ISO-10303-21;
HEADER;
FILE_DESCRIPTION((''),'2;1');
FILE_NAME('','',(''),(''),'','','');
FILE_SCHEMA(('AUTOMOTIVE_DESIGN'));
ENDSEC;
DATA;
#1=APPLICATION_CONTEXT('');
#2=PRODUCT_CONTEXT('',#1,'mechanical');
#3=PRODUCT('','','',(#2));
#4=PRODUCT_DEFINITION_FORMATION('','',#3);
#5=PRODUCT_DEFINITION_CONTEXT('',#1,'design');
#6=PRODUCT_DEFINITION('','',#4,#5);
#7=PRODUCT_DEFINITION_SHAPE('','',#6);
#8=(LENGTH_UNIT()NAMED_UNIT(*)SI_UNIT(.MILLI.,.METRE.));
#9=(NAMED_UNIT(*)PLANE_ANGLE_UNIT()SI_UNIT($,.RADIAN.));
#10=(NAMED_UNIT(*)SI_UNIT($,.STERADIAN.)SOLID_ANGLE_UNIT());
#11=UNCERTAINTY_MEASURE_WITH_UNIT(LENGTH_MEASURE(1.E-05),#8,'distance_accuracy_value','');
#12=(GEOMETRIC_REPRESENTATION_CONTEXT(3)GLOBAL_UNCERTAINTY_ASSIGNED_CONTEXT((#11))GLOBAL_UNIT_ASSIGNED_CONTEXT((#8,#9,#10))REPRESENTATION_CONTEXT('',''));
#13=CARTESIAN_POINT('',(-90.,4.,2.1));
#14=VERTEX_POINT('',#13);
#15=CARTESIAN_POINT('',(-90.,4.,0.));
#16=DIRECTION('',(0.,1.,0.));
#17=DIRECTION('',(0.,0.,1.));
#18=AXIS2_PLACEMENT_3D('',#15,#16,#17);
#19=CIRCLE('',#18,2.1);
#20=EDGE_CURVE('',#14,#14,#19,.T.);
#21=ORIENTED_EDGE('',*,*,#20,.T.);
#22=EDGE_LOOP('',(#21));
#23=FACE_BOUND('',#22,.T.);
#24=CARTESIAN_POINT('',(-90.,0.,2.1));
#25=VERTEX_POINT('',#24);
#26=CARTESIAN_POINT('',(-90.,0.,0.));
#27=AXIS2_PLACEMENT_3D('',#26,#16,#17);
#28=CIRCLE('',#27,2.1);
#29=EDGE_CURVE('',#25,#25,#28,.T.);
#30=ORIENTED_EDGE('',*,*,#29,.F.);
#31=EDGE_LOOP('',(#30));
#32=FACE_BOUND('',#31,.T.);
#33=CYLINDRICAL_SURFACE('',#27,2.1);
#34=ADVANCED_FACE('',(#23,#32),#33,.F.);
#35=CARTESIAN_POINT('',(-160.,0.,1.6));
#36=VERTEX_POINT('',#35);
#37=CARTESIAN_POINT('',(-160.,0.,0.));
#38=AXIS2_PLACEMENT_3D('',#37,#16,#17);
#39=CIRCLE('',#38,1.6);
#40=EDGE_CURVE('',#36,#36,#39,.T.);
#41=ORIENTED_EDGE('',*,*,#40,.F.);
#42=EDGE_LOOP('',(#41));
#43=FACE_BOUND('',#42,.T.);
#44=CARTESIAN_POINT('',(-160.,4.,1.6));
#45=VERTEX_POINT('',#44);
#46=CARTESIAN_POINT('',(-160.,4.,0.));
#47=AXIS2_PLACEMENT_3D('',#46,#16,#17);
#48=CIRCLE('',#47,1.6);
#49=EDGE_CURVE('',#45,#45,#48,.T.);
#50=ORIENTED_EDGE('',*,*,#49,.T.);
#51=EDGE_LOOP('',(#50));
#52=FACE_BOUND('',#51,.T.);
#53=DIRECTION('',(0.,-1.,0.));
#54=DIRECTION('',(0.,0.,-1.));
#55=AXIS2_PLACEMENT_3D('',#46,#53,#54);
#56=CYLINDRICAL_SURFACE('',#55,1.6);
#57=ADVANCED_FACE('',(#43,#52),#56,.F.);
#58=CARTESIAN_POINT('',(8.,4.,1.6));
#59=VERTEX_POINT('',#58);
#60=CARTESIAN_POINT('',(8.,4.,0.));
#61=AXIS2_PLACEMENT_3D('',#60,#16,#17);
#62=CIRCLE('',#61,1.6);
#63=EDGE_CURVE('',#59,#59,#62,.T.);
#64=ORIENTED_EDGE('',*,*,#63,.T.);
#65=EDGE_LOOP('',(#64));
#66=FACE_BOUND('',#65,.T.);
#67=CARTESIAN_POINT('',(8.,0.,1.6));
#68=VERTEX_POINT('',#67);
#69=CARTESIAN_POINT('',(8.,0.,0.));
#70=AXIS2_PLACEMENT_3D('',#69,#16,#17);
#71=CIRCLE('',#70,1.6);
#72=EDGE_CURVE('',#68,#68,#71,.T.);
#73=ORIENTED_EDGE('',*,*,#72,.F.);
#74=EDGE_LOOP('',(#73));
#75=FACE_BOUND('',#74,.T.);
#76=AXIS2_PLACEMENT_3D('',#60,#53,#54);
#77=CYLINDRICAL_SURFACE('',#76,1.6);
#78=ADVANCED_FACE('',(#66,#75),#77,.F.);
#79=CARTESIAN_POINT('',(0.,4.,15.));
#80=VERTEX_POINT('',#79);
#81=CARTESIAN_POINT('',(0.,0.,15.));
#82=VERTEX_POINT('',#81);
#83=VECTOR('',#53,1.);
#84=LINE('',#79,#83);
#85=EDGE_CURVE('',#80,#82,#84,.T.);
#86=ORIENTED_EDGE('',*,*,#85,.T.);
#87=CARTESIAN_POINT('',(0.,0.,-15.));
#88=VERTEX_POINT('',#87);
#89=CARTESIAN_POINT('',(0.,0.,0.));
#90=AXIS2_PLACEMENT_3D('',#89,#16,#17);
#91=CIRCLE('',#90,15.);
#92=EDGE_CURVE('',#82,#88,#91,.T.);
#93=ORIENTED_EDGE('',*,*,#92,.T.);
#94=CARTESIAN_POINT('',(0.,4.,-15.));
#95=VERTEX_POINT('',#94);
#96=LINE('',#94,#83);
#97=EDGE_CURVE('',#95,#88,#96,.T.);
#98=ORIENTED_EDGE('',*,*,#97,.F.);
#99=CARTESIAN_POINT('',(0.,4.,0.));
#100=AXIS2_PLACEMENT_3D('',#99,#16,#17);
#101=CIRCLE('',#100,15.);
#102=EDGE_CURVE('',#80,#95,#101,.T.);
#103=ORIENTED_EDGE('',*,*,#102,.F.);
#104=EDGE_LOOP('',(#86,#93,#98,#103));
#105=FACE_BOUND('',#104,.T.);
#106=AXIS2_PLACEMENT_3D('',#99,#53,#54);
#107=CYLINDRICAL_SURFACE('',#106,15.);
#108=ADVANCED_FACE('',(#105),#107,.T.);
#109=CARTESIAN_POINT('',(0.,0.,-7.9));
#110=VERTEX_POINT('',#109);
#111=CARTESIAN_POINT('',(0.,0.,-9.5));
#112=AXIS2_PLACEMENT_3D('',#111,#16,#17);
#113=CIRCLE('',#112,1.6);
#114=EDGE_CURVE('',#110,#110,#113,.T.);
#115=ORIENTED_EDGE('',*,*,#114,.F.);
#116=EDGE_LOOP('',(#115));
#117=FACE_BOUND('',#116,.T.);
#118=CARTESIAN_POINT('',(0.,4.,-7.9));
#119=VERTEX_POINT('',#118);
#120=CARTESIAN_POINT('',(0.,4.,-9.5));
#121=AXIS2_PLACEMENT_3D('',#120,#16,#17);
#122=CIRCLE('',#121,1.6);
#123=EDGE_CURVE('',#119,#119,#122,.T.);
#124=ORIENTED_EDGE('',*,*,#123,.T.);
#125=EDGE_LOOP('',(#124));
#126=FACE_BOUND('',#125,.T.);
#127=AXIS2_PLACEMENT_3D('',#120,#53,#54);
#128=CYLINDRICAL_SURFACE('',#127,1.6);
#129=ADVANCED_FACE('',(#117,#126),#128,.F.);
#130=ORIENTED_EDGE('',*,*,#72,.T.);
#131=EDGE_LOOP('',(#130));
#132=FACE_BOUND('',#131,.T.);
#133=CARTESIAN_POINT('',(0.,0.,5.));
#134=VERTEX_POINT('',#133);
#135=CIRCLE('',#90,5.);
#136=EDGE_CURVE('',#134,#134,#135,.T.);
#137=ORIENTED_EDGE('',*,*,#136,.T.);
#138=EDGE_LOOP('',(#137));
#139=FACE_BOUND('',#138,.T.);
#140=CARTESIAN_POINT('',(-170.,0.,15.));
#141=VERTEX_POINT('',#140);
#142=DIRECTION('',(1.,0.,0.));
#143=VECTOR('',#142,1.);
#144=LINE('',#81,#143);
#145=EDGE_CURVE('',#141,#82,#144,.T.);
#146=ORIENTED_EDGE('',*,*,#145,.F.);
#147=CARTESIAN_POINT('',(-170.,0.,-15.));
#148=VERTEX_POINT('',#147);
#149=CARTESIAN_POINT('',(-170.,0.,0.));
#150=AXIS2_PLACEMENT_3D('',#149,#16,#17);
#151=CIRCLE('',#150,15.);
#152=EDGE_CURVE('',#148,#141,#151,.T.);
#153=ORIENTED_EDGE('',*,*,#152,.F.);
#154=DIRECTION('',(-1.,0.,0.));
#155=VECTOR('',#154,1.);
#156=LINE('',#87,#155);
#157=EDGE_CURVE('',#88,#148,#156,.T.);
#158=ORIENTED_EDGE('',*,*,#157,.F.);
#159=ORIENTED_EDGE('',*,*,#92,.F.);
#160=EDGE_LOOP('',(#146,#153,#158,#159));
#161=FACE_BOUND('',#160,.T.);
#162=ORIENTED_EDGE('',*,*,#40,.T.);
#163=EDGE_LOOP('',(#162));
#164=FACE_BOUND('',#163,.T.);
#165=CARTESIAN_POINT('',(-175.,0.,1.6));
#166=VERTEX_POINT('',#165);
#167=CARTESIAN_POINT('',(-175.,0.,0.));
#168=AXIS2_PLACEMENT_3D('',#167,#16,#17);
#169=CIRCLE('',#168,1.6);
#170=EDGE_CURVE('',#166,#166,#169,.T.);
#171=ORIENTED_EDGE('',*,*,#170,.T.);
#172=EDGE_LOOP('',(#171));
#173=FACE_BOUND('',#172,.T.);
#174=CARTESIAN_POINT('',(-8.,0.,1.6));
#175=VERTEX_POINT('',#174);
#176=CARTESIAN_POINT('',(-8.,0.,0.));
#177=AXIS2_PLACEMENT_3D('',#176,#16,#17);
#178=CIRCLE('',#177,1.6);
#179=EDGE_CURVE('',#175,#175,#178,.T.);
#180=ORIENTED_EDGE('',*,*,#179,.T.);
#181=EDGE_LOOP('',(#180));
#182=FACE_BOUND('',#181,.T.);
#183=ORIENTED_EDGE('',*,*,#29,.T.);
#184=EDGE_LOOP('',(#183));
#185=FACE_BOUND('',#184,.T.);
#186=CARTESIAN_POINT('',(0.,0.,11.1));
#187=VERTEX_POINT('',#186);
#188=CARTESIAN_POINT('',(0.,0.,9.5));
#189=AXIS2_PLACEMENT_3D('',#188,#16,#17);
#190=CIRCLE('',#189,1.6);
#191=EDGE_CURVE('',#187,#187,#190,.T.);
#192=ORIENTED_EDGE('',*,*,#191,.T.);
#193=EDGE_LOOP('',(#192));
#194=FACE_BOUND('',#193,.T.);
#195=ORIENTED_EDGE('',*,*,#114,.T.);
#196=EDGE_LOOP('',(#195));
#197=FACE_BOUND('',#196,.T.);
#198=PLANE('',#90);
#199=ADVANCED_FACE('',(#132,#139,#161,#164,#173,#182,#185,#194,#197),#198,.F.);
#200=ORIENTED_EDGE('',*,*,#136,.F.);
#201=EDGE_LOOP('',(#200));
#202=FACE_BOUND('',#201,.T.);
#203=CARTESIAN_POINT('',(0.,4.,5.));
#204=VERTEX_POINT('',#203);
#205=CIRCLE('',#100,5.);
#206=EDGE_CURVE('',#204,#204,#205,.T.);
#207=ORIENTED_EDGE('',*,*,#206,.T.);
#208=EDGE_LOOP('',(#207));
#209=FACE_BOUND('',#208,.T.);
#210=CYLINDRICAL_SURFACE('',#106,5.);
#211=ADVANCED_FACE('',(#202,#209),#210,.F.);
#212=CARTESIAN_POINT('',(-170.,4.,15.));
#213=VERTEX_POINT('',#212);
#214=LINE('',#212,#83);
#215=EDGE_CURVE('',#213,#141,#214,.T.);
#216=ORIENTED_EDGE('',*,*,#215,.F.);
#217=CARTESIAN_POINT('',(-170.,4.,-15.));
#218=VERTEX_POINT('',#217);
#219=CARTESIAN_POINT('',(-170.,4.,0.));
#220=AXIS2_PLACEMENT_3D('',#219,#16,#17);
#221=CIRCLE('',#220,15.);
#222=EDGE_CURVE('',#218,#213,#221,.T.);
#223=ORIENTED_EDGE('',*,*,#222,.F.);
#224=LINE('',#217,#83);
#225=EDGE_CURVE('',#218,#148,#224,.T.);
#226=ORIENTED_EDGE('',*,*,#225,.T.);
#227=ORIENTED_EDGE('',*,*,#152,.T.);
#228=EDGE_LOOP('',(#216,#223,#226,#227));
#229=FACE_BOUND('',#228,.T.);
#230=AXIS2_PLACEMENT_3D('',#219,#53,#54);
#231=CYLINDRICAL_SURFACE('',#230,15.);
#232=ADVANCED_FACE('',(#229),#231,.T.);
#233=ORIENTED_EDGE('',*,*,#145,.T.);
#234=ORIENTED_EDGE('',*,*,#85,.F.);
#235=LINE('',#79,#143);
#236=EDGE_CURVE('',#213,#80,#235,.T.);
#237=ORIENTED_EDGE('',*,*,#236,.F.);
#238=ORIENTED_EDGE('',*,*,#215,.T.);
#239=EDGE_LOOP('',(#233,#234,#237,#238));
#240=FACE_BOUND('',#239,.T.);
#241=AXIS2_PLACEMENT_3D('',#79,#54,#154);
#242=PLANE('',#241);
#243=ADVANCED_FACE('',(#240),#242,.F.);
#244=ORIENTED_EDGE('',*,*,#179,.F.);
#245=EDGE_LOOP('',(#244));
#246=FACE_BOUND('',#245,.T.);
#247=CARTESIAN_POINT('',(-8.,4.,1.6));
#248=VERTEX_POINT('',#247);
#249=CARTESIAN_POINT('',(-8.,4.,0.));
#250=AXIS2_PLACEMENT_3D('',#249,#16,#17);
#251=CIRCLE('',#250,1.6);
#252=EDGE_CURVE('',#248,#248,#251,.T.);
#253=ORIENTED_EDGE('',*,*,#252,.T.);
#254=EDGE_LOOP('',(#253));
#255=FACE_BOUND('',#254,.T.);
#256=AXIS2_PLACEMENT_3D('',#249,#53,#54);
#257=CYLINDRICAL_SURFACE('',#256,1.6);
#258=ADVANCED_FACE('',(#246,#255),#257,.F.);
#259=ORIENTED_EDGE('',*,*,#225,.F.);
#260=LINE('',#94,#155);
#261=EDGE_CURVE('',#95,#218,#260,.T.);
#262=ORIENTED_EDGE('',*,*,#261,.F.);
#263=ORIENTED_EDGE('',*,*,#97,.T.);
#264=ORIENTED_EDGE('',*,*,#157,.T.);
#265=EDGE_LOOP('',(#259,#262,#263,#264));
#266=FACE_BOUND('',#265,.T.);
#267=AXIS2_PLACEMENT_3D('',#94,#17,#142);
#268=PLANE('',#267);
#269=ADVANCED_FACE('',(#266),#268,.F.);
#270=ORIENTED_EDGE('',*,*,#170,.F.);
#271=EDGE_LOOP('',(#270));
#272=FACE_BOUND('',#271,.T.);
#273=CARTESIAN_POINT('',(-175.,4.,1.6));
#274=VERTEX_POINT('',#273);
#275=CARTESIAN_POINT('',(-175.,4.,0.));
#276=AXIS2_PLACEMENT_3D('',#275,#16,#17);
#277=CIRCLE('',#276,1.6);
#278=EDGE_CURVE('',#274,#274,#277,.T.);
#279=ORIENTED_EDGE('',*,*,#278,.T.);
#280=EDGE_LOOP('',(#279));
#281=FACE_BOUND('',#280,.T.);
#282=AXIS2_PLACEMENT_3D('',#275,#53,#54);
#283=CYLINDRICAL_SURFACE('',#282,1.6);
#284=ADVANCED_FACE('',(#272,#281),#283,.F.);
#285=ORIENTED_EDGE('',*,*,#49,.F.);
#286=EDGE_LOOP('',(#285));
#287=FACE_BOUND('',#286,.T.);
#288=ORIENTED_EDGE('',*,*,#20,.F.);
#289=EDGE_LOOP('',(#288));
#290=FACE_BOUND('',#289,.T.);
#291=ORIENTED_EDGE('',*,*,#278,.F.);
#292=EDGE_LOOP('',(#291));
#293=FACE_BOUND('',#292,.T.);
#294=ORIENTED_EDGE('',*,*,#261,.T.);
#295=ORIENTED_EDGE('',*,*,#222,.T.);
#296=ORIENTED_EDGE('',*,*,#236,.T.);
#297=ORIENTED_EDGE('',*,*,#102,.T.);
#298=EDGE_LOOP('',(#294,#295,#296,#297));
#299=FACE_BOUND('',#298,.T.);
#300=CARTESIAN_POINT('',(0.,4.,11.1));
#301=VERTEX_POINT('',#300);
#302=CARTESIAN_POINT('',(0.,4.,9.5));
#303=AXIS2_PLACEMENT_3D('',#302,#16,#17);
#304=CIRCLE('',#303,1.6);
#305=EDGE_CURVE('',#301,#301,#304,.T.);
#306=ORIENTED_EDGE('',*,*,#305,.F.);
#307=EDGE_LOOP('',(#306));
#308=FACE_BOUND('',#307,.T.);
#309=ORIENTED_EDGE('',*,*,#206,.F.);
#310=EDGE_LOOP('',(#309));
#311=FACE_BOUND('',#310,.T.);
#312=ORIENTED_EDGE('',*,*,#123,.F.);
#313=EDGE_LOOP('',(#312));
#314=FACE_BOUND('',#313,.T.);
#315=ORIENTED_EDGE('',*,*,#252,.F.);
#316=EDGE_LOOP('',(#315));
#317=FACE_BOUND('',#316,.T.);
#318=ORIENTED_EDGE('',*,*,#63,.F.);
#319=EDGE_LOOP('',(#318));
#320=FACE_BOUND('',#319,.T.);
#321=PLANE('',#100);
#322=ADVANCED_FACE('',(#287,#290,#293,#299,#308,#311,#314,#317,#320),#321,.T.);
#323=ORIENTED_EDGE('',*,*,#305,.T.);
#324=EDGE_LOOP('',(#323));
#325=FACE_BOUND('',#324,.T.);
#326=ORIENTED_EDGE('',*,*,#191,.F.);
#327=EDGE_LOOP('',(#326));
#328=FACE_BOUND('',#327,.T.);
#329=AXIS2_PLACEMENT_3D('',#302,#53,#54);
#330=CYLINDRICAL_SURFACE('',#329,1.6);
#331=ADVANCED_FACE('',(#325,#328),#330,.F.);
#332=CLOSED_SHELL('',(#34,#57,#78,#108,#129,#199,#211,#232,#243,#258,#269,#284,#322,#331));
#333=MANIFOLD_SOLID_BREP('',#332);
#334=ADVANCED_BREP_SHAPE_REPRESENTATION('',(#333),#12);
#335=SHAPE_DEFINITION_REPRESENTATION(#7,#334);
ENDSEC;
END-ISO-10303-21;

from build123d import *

# Parameters (mm, degrees)
SKETCH2_R           = 5
SKETCH2_R_2         = 1.6
BOSS_EXTRUDE1_DEPTH = 4
SKETCH3_R           = 2.1
CUT_EXTRUDE1_DEPTH  = 186.650208726


with BuildPart() as part:
    # Sketch2 → Boss-Extrude1 (new body)
    with BuildSketch(Plane(origin=(0, 0, 0), x_dir=(1, 0, 0), z_dir=(0, 1, 0))):
        with BuildLine():
            Line((0, -15), (-170, -15))
            ThreePointArc((-170, -15), (-185, 0), (-170, 15))
            Line((-170, 15), (0, 15))
            ThreePointArc((0, 15), (15, 0), (0, -15))
        make_face()
        Circle(SKETCH2_R, mode=Mode.SUBTRACT)
        with Locations((8, 0)):
            Circle(SKETCH2_R_2, mode=Mode.SUBTRACT)
        with Locations((-160, 0)):
            Circle(SKETCH2_R_2, mode=Mode.SUBTRACT)
        with Locations((-175, 0)):
            Circle(SKETCH2_R_2, mode=Mode.SUBTRACT)
        with Locations((0, -9.5)):
            Circle(SKETCH2_R_2, mode=Mode.SUBTRACT)
        with Locations((0, 9.5)):
            Circle(SKETCH2_R_2, mode=Mode.SUBTRACT)
        with Locations((-8, 0)):
            Circle(SKETCH2_R_2, mode=Mode.SUBTRACT)
    extrude(amount=BOSS_EXTRUDE1_DEPTH)

    # Sketch3 → Cut-Extrude1 (cut, through all)
    with BuildSketch(Plane(origin=(0, 4, 0), x_dir=(1, 0, 0), z_dir=(0, 1, 0))):
        with Locations((-90, 0)):
            Circle(SKETCH3_R)
    extrude(amount=-CUT_EXTRUDE1_DEPTH, mode=Mode.SUBTRACT)


solid = part.part
